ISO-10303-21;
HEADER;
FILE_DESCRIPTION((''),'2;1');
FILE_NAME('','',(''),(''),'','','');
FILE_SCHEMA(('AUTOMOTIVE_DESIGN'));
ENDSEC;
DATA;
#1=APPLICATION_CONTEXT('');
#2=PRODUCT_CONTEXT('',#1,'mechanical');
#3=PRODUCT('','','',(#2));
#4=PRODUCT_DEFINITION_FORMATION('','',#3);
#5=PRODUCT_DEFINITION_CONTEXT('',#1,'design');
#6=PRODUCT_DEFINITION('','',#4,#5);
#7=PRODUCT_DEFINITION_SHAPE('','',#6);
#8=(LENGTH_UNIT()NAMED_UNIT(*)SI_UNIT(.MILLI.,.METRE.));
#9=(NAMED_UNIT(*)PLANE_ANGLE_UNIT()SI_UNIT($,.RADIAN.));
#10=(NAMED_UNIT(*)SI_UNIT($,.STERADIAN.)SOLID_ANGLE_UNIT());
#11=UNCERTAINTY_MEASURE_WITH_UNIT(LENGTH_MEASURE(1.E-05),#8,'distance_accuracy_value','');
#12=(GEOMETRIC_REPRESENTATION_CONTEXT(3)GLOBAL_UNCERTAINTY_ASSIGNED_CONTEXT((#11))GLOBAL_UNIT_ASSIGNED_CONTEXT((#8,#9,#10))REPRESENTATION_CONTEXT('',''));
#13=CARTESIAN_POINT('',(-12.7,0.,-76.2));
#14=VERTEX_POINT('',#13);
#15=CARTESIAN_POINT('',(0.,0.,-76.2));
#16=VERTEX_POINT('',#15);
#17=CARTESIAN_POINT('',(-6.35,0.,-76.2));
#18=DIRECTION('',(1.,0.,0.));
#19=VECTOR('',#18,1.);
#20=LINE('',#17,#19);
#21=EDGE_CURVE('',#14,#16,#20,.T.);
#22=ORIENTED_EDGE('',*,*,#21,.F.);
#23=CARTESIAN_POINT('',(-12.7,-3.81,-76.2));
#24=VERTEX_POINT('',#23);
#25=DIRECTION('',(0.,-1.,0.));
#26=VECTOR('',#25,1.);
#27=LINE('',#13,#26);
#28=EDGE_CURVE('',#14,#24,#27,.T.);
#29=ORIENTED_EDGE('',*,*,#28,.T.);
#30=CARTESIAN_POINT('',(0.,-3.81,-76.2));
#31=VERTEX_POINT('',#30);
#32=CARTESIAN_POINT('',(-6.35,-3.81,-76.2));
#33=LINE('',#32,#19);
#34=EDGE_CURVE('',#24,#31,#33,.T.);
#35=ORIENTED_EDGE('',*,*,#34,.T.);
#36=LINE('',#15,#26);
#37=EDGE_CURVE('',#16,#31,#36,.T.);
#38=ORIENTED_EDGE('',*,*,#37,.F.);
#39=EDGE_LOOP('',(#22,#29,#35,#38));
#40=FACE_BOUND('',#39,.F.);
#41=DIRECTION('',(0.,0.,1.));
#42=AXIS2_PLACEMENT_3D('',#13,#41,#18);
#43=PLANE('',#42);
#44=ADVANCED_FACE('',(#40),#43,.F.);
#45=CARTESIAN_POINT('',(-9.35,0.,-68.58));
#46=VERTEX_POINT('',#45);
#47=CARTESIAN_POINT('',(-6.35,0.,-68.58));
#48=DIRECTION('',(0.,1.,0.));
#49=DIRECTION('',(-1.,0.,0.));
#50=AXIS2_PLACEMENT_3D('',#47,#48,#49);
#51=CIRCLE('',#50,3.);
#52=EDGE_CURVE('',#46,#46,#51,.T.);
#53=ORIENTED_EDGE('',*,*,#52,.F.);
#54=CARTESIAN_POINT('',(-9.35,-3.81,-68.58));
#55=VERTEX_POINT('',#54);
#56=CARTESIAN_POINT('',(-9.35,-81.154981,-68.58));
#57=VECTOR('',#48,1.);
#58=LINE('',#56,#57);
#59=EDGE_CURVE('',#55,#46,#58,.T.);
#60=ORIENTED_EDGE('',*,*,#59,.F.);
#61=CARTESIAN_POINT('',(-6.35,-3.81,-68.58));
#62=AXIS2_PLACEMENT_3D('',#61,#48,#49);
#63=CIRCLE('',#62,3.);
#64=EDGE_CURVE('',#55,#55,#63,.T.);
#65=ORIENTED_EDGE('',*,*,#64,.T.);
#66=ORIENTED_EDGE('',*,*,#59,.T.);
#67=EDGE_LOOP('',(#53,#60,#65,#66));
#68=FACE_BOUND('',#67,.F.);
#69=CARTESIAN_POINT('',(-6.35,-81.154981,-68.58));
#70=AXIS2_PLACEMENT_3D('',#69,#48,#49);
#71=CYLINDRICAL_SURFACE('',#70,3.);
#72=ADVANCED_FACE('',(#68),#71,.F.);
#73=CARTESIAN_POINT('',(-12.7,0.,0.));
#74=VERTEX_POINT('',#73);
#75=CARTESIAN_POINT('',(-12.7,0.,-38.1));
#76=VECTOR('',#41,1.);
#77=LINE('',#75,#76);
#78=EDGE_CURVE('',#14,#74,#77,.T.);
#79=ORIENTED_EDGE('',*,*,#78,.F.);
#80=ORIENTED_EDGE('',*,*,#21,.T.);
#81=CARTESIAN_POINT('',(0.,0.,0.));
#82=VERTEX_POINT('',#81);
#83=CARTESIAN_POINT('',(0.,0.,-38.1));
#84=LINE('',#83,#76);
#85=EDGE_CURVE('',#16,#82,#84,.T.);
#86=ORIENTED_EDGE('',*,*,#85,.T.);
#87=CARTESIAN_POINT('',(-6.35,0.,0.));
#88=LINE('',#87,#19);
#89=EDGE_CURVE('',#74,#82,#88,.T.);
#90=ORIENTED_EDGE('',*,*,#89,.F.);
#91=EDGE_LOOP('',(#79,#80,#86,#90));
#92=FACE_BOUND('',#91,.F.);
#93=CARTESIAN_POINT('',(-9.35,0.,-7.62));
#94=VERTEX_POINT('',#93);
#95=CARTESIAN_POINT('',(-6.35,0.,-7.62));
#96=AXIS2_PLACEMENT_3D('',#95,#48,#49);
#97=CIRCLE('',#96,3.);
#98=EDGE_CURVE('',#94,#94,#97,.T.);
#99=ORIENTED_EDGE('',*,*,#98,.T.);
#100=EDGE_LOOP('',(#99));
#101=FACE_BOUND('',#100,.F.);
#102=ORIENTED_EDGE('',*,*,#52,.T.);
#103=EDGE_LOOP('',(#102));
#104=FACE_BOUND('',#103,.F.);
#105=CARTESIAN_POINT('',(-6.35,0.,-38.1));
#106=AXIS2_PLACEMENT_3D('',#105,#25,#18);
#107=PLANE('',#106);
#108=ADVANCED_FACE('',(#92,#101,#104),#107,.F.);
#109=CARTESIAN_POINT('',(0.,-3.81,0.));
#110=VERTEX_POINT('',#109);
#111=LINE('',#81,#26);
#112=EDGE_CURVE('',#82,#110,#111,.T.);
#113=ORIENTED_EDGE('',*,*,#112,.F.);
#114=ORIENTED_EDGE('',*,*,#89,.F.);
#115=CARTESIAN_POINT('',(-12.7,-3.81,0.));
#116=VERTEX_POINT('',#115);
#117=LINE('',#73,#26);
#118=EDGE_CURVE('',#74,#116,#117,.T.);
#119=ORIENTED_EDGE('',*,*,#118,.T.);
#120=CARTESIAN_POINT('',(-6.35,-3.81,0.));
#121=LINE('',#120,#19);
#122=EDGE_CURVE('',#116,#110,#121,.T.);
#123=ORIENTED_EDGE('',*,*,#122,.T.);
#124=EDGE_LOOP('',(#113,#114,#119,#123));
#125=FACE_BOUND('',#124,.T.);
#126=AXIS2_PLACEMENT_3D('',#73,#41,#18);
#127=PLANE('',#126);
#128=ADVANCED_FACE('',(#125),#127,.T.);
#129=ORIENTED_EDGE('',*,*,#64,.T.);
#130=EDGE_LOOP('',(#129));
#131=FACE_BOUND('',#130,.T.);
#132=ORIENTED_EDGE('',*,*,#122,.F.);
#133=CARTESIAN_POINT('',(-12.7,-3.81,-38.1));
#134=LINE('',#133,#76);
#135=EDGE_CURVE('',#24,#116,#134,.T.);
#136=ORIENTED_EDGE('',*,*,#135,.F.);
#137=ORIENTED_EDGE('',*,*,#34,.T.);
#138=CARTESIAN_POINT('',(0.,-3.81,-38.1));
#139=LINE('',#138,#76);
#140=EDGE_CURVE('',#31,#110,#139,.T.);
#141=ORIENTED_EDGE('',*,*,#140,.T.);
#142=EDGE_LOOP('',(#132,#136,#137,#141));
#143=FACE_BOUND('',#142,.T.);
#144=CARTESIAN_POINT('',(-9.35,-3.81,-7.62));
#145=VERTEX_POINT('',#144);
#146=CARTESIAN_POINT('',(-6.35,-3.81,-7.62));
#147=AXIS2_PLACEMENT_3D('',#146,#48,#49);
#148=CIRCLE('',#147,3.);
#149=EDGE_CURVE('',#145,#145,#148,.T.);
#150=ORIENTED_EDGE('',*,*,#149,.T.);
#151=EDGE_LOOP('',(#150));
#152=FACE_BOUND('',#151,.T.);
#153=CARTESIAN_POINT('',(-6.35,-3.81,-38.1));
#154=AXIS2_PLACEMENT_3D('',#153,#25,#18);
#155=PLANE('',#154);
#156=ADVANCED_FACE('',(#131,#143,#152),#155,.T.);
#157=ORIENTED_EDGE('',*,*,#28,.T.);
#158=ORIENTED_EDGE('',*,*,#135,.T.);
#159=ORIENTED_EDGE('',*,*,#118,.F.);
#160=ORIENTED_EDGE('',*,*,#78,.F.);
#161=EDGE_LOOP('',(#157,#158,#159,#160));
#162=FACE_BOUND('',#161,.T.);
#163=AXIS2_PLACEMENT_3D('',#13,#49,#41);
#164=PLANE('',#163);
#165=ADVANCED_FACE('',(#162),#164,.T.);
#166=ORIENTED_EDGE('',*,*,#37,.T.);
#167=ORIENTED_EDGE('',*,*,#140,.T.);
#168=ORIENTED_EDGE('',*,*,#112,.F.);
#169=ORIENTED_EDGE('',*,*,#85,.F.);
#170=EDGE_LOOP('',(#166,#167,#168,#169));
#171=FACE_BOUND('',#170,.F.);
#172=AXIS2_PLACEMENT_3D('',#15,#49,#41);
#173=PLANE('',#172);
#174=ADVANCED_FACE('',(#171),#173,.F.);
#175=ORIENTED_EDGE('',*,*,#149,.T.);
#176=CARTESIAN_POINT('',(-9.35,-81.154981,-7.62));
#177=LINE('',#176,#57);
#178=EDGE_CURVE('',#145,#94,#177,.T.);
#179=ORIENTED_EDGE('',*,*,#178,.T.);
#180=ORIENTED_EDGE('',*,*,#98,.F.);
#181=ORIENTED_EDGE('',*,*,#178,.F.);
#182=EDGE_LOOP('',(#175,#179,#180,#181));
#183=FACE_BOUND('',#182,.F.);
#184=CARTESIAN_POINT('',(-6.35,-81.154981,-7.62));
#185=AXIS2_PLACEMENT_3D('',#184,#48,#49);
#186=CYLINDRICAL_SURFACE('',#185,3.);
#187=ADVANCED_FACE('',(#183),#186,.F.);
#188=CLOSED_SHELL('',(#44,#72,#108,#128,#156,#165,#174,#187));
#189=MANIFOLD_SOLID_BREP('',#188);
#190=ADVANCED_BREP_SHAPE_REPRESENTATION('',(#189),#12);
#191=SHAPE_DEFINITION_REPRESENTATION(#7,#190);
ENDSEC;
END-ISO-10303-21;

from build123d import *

# Parameters (mm, degrees)
F0_W     = 12.7
F0_H     = 76.2
F1_DEPTH = 3.81
F3_D     = 6


with BuildPart() as f1:
    # F0 (on Front) → F1 (new body)
    with BuildSketch(Plane.XZ):
        with Locations((-6.35, -38.1)):
            Rectangle(F0_W, F0_H)
    extrude(amount=F1_DEPTH)

    # F3 (through all)
    with Locations(Plane.XZ.offset(3.81)):
        with Locations((-6.35, -7.62), (-6.35, -68.58)):
            Hole(F3_D / 2)


solid = f1.part
